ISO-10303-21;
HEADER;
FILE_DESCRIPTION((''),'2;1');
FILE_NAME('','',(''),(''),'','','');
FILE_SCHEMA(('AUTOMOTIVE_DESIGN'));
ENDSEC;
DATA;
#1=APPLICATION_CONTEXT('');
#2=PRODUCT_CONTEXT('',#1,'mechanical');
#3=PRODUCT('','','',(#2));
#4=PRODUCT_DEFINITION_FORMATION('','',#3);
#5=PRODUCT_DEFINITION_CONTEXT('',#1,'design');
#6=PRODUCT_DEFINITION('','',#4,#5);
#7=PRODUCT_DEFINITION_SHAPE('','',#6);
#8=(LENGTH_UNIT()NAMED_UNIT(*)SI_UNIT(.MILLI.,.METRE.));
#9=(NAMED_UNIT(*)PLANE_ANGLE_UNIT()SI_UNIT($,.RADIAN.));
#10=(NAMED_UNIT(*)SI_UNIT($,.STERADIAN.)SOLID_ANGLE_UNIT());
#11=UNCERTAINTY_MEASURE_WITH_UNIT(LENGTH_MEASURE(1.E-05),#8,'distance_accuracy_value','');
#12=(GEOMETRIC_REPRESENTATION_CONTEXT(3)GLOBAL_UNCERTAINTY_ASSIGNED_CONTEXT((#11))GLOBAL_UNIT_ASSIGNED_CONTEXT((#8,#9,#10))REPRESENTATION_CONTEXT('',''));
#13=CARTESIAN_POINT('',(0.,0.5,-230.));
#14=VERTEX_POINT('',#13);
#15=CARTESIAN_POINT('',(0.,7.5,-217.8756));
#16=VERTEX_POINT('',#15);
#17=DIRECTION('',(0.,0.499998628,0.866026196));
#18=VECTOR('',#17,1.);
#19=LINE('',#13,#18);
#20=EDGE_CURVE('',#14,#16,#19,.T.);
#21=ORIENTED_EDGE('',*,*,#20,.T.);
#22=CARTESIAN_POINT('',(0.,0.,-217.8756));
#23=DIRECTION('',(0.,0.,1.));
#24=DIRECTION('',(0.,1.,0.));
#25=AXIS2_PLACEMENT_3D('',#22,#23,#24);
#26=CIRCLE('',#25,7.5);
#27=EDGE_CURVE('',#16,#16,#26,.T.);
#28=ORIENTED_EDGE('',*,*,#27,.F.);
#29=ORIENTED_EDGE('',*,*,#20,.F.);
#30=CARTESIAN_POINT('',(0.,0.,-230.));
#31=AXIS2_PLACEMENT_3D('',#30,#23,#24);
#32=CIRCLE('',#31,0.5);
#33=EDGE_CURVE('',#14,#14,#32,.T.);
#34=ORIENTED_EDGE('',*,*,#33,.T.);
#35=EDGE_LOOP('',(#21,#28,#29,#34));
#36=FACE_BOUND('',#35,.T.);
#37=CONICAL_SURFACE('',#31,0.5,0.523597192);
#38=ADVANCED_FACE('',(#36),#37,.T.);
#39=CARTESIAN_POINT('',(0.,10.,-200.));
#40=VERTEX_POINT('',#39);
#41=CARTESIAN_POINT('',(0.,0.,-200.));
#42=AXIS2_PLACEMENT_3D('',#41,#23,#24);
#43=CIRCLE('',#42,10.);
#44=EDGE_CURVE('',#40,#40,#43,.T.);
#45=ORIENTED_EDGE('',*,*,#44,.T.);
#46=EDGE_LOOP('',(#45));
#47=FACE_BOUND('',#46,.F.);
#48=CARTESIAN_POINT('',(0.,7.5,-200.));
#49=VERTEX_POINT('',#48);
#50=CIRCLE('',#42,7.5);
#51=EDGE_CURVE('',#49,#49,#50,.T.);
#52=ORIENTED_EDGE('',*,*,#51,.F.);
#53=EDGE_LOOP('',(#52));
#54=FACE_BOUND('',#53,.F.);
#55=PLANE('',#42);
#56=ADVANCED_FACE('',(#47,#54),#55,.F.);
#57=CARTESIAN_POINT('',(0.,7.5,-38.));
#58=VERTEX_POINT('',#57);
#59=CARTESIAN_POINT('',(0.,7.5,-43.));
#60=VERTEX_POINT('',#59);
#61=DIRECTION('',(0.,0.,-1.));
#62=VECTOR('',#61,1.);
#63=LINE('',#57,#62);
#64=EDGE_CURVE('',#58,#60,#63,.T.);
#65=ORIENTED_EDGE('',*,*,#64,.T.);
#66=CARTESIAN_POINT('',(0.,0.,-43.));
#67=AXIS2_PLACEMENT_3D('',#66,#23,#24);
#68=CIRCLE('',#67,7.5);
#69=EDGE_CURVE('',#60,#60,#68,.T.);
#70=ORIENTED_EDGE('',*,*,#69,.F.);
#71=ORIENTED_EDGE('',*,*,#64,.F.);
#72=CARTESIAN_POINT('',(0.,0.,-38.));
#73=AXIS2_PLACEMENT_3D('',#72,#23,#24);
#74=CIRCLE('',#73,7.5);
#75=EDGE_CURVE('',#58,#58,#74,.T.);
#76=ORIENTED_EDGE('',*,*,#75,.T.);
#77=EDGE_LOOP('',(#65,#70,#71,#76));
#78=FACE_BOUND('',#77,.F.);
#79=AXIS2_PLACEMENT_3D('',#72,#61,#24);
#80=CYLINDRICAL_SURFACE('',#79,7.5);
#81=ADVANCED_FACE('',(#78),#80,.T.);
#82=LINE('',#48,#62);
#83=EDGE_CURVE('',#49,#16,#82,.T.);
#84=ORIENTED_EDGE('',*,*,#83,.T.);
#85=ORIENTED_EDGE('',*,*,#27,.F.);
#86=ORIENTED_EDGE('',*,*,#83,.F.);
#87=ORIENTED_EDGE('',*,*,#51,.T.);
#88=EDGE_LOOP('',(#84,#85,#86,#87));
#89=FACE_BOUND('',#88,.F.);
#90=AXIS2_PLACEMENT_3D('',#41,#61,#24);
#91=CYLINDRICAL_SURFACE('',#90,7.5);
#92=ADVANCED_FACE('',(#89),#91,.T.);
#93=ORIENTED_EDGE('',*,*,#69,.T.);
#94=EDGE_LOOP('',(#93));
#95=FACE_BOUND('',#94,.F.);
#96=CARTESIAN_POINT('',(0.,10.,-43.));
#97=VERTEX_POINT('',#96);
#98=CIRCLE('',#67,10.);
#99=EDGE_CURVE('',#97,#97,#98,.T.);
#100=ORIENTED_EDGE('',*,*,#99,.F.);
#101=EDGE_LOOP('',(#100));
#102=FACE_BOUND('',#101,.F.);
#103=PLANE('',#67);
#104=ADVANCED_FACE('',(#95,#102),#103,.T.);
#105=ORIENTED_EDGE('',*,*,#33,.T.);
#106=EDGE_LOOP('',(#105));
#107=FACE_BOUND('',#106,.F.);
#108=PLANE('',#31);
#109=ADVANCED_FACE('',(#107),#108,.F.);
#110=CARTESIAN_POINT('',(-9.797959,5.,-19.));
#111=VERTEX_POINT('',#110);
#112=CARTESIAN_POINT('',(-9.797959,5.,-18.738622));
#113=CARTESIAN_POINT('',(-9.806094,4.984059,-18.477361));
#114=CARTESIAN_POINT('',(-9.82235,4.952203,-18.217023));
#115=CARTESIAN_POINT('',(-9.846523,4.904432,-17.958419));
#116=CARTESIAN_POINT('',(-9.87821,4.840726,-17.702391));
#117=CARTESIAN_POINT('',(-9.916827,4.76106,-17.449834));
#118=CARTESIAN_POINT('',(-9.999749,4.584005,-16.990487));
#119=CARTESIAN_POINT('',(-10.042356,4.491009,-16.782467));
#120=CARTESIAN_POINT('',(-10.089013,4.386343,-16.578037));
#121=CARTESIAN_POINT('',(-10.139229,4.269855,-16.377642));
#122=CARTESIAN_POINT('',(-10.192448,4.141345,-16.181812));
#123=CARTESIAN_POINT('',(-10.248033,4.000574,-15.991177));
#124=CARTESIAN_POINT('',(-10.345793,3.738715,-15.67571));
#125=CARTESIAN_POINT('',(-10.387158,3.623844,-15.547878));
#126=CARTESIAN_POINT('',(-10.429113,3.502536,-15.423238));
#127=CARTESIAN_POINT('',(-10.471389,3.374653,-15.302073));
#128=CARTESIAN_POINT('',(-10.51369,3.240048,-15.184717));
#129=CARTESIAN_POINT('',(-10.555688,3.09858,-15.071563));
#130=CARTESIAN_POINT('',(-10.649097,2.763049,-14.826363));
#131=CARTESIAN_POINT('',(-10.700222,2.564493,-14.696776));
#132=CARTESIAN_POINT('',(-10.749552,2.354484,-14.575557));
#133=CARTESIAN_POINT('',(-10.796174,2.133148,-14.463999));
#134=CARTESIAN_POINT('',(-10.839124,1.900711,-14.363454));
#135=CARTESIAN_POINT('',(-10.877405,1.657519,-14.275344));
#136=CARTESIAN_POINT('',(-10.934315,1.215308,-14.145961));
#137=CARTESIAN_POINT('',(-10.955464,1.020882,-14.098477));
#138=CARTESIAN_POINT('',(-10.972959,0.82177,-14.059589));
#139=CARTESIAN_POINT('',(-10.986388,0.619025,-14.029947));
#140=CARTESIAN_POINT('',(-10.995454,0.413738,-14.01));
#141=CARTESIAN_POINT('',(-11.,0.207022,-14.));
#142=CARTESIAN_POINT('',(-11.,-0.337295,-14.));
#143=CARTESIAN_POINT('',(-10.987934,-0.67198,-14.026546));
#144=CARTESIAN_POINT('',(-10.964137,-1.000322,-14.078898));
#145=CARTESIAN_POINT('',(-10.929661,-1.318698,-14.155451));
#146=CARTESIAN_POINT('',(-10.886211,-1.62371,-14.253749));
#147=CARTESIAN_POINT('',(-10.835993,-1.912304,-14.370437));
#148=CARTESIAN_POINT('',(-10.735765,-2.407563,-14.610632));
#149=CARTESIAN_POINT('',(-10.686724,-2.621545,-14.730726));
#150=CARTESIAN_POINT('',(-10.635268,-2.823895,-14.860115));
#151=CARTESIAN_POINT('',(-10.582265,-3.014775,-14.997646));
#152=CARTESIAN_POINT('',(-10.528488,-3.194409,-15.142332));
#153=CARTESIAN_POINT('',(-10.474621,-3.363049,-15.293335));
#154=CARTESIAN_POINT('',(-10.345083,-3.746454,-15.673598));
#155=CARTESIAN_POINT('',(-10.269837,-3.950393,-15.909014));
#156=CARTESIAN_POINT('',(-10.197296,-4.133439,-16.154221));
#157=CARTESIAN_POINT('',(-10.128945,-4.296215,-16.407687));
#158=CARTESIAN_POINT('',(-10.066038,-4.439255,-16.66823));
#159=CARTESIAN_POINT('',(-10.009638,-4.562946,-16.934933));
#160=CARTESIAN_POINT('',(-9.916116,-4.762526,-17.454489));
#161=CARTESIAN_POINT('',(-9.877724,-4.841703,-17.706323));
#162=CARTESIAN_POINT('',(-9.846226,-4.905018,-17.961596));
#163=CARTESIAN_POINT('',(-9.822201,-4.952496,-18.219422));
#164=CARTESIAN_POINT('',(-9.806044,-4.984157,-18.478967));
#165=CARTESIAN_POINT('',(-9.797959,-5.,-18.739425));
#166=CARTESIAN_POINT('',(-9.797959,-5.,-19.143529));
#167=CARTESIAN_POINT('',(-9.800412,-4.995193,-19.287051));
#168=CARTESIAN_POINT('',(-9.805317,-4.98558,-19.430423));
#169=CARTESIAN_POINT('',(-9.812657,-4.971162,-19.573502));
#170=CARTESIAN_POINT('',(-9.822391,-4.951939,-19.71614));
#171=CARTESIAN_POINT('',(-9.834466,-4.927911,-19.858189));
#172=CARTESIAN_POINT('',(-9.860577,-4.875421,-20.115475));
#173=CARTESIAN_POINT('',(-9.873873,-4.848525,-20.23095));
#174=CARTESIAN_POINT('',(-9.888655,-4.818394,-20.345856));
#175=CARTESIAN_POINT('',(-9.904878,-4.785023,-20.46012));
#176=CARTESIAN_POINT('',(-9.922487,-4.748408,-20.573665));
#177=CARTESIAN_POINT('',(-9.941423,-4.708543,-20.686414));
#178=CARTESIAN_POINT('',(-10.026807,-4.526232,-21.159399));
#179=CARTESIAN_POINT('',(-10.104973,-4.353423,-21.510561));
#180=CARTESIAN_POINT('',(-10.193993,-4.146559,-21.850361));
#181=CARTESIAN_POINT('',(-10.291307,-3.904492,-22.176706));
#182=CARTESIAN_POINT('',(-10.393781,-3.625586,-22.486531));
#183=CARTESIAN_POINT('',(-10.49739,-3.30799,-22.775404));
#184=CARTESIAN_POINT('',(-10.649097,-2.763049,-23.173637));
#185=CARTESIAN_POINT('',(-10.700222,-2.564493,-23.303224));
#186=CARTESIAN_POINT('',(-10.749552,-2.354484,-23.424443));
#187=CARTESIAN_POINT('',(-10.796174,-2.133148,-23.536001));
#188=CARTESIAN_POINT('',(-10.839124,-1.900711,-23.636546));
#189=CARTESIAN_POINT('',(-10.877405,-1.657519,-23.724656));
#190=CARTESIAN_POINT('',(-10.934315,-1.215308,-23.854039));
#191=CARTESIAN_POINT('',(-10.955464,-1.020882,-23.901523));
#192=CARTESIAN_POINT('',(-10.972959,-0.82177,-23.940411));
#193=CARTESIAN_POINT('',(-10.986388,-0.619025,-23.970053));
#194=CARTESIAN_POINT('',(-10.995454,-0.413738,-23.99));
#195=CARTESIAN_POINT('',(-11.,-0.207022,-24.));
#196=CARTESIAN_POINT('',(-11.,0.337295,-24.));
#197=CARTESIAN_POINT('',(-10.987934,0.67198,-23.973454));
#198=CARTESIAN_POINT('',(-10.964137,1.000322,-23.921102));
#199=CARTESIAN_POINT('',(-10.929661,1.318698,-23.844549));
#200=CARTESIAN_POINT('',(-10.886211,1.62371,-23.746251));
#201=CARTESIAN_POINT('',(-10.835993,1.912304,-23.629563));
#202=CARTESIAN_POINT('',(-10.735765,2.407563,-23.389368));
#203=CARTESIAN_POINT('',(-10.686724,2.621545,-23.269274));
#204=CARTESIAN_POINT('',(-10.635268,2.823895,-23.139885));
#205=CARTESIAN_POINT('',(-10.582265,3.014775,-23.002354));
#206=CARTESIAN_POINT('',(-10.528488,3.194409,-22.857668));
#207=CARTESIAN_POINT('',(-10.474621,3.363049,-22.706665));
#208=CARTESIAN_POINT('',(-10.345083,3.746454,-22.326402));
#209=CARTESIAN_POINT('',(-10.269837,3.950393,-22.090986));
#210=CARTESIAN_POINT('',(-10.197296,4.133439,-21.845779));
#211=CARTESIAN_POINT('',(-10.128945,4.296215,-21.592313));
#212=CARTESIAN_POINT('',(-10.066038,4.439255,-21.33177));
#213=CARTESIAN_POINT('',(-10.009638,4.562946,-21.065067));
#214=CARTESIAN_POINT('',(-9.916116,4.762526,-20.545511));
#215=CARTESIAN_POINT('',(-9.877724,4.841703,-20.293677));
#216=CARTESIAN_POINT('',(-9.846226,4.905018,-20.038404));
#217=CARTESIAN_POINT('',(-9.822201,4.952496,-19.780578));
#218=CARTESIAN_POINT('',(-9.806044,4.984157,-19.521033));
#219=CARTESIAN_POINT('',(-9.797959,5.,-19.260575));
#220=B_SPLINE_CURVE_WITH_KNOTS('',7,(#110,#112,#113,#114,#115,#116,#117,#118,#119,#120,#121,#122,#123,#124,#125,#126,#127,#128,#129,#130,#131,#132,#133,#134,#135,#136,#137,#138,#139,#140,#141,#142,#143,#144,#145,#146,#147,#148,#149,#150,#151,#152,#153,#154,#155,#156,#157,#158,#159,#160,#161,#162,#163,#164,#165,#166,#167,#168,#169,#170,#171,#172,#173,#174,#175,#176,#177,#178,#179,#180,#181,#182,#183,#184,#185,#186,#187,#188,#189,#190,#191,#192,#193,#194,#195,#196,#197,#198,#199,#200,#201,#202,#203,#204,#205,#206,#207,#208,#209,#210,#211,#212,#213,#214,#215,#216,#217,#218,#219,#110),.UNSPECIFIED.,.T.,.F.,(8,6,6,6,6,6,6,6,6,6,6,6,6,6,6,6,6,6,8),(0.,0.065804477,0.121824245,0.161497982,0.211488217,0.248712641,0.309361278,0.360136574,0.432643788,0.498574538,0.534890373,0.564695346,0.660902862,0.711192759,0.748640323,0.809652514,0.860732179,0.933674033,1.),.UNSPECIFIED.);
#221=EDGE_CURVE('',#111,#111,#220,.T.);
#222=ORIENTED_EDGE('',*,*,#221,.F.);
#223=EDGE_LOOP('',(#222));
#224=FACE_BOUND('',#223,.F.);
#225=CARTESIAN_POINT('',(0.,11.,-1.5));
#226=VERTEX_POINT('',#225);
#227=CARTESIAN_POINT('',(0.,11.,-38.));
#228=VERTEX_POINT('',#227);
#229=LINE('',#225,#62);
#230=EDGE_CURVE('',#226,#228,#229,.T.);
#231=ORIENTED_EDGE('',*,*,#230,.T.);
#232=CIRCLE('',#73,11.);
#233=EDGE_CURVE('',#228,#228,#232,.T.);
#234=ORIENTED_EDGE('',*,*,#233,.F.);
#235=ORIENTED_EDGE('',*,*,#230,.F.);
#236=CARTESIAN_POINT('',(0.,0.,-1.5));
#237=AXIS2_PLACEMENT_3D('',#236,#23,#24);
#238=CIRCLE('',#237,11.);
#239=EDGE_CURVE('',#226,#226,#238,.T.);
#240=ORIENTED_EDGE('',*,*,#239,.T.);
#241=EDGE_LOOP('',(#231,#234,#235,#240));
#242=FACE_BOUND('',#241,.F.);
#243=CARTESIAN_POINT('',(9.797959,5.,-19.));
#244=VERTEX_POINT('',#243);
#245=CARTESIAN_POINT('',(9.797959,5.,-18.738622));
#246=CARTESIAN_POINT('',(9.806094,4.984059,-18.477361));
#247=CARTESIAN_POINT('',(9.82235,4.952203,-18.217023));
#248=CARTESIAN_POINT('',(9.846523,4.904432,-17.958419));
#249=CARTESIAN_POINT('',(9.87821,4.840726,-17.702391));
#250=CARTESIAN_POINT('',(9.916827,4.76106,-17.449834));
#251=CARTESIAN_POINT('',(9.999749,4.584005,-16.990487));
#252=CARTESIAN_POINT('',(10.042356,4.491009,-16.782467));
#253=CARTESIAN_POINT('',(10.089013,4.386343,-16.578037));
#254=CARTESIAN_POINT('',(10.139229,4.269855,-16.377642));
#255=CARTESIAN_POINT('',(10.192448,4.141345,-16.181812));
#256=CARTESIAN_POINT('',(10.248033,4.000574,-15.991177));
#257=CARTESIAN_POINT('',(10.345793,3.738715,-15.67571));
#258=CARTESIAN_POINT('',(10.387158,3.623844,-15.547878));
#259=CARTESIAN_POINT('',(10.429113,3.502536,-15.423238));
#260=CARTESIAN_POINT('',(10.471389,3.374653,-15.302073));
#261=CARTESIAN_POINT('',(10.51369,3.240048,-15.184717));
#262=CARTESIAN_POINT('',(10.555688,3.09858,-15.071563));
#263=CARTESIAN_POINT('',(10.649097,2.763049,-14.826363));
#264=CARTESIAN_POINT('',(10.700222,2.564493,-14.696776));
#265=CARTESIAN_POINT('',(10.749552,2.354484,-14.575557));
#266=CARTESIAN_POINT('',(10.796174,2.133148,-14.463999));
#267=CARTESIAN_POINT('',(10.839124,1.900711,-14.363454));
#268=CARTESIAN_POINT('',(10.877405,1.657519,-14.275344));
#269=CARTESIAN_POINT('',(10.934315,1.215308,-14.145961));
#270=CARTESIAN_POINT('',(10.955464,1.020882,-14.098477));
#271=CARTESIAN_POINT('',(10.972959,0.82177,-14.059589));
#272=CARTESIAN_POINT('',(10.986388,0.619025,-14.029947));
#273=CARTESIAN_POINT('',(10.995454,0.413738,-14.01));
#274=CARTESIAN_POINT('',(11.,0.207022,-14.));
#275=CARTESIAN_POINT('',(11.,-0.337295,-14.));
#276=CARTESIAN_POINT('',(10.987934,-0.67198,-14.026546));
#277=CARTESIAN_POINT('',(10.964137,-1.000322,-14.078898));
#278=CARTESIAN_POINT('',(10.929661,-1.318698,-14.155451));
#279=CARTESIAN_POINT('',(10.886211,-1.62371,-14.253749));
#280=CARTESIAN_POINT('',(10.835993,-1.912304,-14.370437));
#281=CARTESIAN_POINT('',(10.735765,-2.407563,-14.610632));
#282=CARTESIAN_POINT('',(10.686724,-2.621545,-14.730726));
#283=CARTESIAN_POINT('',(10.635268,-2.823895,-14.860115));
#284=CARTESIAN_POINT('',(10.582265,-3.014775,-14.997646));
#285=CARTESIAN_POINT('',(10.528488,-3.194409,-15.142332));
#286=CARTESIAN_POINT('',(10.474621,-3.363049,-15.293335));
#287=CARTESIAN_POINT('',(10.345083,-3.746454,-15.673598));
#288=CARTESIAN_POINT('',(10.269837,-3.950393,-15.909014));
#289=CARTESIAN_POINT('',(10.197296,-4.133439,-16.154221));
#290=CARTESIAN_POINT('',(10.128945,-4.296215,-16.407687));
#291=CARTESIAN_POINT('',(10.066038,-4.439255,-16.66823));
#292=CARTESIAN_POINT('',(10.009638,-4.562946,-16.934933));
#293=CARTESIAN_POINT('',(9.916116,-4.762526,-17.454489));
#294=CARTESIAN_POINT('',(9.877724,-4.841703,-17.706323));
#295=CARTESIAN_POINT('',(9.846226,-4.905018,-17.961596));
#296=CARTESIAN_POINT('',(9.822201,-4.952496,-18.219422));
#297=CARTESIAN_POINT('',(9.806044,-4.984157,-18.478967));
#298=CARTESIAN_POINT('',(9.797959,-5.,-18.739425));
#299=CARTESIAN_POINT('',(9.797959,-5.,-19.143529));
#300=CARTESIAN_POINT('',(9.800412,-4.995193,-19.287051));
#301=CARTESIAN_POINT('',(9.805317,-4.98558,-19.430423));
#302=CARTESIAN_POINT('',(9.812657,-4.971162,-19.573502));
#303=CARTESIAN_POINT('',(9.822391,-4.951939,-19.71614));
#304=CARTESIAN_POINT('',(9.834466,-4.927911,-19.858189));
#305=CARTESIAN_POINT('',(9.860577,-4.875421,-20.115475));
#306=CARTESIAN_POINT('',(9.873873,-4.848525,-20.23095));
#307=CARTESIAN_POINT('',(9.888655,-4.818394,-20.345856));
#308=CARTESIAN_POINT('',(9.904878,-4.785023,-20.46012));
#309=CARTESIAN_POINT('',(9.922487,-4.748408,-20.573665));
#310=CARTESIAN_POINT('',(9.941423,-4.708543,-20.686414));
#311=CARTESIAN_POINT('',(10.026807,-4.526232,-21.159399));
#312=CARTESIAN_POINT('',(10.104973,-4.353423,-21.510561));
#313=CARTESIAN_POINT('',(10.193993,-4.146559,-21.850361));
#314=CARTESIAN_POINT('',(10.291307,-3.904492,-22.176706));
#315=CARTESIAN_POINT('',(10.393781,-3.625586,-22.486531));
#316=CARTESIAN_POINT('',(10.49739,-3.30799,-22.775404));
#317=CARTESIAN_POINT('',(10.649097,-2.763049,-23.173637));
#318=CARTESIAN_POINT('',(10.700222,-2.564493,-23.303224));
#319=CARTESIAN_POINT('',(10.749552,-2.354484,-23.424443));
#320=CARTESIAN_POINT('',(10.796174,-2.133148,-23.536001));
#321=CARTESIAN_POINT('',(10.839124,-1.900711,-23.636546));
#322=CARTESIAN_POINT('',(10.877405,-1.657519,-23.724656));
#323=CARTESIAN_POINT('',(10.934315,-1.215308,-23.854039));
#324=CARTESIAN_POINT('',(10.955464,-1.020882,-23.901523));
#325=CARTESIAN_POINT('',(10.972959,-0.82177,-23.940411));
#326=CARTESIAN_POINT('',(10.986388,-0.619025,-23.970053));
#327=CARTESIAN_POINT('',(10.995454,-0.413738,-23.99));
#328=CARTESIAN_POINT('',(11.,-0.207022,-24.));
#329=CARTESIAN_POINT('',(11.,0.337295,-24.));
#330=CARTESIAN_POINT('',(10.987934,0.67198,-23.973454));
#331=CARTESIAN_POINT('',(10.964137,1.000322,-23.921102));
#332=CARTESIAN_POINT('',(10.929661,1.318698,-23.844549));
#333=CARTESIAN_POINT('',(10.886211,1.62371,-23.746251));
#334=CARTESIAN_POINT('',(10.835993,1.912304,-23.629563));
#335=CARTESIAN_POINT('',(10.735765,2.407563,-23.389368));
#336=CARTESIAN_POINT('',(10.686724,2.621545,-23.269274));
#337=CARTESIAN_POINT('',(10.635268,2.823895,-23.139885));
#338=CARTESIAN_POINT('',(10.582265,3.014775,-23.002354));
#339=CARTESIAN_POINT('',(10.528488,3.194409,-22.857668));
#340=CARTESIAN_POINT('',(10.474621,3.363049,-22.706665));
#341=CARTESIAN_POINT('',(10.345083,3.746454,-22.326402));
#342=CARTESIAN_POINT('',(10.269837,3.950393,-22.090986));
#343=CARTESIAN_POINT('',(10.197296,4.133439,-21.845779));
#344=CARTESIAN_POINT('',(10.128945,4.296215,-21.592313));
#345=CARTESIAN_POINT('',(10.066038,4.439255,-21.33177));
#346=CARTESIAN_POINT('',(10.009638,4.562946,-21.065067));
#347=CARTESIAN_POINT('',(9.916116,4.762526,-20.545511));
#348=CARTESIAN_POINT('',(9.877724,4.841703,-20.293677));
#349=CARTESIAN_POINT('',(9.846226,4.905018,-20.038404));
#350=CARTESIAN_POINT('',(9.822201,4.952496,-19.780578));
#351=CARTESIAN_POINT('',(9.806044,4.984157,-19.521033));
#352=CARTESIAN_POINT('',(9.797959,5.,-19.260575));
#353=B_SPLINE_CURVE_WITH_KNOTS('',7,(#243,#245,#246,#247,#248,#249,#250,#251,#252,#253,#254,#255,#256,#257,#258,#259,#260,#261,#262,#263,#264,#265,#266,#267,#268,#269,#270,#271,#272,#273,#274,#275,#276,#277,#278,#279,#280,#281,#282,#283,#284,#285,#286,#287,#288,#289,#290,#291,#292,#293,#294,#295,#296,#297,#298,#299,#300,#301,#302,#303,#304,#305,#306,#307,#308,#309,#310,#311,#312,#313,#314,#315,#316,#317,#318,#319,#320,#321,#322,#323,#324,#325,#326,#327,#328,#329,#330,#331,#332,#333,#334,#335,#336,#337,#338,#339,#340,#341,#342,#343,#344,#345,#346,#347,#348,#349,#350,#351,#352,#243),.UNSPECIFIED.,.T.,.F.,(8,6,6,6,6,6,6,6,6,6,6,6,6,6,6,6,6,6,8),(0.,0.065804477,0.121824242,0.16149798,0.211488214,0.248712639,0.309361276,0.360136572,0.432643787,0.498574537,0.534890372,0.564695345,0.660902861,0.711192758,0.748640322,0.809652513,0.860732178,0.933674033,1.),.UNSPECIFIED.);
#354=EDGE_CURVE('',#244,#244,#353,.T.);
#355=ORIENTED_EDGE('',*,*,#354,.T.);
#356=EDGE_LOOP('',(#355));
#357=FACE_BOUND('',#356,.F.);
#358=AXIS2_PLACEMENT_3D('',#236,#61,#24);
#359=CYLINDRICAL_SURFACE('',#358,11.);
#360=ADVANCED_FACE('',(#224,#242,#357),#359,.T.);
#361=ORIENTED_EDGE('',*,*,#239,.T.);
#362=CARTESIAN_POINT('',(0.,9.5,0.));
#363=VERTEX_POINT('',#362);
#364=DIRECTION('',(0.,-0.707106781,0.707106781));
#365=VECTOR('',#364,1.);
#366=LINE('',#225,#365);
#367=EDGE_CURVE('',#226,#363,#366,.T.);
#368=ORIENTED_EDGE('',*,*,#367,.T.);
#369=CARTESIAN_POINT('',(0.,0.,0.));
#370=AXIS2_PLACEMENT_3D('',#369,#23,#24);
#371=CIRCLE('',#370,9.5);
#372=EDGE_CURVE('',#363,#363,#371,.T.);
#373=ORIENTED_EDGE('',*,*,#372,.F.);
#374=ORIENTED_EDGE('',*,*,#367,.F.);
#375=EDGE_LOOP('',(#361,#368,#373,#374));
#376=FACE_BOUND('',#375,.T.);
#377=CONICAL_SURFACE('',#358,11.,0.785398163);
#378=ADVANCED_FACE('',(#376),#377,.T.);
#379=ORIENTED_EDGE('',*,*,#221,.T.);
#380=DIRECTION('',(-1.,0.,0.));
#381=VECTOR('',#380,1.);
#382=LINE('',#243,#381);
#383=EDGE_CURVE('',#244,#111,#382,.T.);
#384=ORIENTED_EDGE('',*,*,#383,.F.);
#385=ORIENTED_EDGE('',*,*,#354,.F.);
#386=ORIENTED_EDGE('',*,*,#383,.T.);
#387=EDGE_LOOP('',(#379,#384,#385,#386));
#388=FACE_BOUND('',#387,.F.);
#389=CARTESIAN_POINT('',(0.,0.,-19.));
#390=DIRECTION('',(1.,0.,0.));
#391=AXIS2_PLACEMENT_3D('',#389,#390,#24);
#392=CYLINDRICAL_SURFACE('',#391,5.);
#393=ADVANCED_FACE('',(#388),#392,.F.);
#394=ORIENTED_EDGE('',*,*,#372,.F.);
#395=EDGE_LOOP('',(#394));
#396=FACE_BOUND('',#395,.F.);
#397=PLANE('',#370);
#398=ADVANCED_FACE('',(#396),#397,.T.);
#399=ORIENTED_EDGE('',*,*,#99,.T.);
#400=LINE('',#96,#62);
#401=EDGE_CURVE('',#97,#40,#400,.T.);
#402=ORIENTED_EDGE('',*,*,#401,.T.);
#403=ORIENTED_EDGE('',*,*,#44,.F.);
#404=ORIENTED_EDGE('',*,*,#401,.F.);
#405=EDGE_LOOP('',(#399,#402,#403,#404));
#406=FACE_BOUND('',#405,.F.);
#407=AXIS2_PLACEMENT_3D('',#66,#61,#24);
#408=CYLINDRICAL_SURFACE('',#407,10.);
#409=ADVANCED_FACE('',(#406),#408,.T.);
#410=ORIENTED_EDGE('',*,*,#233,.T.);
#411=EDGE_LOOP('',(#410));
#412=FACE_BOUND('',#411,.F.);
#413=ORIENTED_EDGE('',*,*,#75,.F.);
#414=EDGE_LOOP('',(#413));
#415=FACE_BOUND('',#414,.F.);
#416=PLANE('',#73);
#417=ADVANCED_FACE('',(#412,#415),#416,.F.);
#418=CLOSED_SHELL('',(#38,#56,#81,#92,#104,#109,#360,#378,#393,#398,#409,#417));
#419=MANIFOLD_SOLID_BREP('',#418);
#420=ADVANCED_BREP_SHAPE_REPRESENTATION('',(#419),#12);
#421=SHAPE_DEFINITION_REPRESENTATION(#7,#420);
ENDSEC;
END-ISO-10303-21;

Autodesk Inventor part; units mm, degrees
ref_plane "XZ Plane" through (0, 0, 0) normal (0, 1, 0) x (-1, 0, 0)
ref_plane "XY Plane" through (0, 0, 0) normal (0, 0, 1) x (1, 0, 0)
sketch "Sketch1" plane through (0, 0, 0) normal (1, 0, 0) x (0, 1, 0)
  line L0 (0, 0) -> (9.5, 0)
  line L1 (0, 0) -> (9.5, 0) construction
  line L2 (11, -1.5) -> (11, -38)
  line L3 (11, -38) -> (7.5, -38)
  line L4 (7.5, -38) -> (7.5, -43)
  line L5 (7.5, -43) -> (10, -43)
  line L6 (10, -43) -> (10, -200)
  line L7 (10, -200) -> (7.5, -200)
  line L8 (7.5, -200) -> (7.5, -217.8756)
  line L9 (0.5, -230) -> (0, -230)
  line L10 (0, -230) -> (0, 0)
  line L11 (0.5, -230) -> (7.5, -217.8756)
  line L12 (11, -1.5) -> (9.5, 0)
  line L13 (34.8708, -0.75) -> (56.3474, -0.75)
  line L14 (56.3474, -0.75) -> (56.3474, -28.5061)
  line L15 (56.3474, -28.5061) -> (34.8708, -28.5061)
  line L16 (34.8708, -28.5061) -> (34.8708, -0.75)
  point P0 (11, 0)
  point P1 (7.5, -230)
  point P2 (0.25, -230)
  dimension "d7" = 11
  dimension "d8" = 0
  dimension "d9" = 38
  dimension "d10" = 90
  dimension "d11" = 3.5
  dimension "d12" = 5
  dimension "d13" = 2.5
  dimension "d14" = 157
  dimension "d15" = 90
  dimension "d16" = 2.5
  dimension "d17" = 30
  dimension "d18" = 7.5
  dimension "d19" = 7.25
  dimension "d20" = 7
  dimension "d21" = 60
  dimension "d22" = 1.5
  dimension "d23" = 1.5
revolve "Revolution1" add sketch "Sketch1" angle 360 about axis through (0, 0, -230) along (0, 0, 1) contours L0 L12 L2 L3 L4 L5 L6 L7 L8 L11 L9 L10
thread "Thread1" size "M20x2.5" class "6g" standard "ISO Metric profile" full length
sketch "Sketch4" plane through (0, 0, 0) normal (1, 0, 0) x (0, 1, 0)
  circle A0 centre (0, -19) radius 5
  line L0 (9.5, 0) -> (-9.5, 0) projected
  point P0 (0, 0)
  dimension "d27" = 10
  dimension "d28" = 19
extrude "Extrusion1" cut sketch "Sketch4" along normal mid plane 40
equation "\"d23\" = d22"
properties part number "atividade_14A_eixo"
